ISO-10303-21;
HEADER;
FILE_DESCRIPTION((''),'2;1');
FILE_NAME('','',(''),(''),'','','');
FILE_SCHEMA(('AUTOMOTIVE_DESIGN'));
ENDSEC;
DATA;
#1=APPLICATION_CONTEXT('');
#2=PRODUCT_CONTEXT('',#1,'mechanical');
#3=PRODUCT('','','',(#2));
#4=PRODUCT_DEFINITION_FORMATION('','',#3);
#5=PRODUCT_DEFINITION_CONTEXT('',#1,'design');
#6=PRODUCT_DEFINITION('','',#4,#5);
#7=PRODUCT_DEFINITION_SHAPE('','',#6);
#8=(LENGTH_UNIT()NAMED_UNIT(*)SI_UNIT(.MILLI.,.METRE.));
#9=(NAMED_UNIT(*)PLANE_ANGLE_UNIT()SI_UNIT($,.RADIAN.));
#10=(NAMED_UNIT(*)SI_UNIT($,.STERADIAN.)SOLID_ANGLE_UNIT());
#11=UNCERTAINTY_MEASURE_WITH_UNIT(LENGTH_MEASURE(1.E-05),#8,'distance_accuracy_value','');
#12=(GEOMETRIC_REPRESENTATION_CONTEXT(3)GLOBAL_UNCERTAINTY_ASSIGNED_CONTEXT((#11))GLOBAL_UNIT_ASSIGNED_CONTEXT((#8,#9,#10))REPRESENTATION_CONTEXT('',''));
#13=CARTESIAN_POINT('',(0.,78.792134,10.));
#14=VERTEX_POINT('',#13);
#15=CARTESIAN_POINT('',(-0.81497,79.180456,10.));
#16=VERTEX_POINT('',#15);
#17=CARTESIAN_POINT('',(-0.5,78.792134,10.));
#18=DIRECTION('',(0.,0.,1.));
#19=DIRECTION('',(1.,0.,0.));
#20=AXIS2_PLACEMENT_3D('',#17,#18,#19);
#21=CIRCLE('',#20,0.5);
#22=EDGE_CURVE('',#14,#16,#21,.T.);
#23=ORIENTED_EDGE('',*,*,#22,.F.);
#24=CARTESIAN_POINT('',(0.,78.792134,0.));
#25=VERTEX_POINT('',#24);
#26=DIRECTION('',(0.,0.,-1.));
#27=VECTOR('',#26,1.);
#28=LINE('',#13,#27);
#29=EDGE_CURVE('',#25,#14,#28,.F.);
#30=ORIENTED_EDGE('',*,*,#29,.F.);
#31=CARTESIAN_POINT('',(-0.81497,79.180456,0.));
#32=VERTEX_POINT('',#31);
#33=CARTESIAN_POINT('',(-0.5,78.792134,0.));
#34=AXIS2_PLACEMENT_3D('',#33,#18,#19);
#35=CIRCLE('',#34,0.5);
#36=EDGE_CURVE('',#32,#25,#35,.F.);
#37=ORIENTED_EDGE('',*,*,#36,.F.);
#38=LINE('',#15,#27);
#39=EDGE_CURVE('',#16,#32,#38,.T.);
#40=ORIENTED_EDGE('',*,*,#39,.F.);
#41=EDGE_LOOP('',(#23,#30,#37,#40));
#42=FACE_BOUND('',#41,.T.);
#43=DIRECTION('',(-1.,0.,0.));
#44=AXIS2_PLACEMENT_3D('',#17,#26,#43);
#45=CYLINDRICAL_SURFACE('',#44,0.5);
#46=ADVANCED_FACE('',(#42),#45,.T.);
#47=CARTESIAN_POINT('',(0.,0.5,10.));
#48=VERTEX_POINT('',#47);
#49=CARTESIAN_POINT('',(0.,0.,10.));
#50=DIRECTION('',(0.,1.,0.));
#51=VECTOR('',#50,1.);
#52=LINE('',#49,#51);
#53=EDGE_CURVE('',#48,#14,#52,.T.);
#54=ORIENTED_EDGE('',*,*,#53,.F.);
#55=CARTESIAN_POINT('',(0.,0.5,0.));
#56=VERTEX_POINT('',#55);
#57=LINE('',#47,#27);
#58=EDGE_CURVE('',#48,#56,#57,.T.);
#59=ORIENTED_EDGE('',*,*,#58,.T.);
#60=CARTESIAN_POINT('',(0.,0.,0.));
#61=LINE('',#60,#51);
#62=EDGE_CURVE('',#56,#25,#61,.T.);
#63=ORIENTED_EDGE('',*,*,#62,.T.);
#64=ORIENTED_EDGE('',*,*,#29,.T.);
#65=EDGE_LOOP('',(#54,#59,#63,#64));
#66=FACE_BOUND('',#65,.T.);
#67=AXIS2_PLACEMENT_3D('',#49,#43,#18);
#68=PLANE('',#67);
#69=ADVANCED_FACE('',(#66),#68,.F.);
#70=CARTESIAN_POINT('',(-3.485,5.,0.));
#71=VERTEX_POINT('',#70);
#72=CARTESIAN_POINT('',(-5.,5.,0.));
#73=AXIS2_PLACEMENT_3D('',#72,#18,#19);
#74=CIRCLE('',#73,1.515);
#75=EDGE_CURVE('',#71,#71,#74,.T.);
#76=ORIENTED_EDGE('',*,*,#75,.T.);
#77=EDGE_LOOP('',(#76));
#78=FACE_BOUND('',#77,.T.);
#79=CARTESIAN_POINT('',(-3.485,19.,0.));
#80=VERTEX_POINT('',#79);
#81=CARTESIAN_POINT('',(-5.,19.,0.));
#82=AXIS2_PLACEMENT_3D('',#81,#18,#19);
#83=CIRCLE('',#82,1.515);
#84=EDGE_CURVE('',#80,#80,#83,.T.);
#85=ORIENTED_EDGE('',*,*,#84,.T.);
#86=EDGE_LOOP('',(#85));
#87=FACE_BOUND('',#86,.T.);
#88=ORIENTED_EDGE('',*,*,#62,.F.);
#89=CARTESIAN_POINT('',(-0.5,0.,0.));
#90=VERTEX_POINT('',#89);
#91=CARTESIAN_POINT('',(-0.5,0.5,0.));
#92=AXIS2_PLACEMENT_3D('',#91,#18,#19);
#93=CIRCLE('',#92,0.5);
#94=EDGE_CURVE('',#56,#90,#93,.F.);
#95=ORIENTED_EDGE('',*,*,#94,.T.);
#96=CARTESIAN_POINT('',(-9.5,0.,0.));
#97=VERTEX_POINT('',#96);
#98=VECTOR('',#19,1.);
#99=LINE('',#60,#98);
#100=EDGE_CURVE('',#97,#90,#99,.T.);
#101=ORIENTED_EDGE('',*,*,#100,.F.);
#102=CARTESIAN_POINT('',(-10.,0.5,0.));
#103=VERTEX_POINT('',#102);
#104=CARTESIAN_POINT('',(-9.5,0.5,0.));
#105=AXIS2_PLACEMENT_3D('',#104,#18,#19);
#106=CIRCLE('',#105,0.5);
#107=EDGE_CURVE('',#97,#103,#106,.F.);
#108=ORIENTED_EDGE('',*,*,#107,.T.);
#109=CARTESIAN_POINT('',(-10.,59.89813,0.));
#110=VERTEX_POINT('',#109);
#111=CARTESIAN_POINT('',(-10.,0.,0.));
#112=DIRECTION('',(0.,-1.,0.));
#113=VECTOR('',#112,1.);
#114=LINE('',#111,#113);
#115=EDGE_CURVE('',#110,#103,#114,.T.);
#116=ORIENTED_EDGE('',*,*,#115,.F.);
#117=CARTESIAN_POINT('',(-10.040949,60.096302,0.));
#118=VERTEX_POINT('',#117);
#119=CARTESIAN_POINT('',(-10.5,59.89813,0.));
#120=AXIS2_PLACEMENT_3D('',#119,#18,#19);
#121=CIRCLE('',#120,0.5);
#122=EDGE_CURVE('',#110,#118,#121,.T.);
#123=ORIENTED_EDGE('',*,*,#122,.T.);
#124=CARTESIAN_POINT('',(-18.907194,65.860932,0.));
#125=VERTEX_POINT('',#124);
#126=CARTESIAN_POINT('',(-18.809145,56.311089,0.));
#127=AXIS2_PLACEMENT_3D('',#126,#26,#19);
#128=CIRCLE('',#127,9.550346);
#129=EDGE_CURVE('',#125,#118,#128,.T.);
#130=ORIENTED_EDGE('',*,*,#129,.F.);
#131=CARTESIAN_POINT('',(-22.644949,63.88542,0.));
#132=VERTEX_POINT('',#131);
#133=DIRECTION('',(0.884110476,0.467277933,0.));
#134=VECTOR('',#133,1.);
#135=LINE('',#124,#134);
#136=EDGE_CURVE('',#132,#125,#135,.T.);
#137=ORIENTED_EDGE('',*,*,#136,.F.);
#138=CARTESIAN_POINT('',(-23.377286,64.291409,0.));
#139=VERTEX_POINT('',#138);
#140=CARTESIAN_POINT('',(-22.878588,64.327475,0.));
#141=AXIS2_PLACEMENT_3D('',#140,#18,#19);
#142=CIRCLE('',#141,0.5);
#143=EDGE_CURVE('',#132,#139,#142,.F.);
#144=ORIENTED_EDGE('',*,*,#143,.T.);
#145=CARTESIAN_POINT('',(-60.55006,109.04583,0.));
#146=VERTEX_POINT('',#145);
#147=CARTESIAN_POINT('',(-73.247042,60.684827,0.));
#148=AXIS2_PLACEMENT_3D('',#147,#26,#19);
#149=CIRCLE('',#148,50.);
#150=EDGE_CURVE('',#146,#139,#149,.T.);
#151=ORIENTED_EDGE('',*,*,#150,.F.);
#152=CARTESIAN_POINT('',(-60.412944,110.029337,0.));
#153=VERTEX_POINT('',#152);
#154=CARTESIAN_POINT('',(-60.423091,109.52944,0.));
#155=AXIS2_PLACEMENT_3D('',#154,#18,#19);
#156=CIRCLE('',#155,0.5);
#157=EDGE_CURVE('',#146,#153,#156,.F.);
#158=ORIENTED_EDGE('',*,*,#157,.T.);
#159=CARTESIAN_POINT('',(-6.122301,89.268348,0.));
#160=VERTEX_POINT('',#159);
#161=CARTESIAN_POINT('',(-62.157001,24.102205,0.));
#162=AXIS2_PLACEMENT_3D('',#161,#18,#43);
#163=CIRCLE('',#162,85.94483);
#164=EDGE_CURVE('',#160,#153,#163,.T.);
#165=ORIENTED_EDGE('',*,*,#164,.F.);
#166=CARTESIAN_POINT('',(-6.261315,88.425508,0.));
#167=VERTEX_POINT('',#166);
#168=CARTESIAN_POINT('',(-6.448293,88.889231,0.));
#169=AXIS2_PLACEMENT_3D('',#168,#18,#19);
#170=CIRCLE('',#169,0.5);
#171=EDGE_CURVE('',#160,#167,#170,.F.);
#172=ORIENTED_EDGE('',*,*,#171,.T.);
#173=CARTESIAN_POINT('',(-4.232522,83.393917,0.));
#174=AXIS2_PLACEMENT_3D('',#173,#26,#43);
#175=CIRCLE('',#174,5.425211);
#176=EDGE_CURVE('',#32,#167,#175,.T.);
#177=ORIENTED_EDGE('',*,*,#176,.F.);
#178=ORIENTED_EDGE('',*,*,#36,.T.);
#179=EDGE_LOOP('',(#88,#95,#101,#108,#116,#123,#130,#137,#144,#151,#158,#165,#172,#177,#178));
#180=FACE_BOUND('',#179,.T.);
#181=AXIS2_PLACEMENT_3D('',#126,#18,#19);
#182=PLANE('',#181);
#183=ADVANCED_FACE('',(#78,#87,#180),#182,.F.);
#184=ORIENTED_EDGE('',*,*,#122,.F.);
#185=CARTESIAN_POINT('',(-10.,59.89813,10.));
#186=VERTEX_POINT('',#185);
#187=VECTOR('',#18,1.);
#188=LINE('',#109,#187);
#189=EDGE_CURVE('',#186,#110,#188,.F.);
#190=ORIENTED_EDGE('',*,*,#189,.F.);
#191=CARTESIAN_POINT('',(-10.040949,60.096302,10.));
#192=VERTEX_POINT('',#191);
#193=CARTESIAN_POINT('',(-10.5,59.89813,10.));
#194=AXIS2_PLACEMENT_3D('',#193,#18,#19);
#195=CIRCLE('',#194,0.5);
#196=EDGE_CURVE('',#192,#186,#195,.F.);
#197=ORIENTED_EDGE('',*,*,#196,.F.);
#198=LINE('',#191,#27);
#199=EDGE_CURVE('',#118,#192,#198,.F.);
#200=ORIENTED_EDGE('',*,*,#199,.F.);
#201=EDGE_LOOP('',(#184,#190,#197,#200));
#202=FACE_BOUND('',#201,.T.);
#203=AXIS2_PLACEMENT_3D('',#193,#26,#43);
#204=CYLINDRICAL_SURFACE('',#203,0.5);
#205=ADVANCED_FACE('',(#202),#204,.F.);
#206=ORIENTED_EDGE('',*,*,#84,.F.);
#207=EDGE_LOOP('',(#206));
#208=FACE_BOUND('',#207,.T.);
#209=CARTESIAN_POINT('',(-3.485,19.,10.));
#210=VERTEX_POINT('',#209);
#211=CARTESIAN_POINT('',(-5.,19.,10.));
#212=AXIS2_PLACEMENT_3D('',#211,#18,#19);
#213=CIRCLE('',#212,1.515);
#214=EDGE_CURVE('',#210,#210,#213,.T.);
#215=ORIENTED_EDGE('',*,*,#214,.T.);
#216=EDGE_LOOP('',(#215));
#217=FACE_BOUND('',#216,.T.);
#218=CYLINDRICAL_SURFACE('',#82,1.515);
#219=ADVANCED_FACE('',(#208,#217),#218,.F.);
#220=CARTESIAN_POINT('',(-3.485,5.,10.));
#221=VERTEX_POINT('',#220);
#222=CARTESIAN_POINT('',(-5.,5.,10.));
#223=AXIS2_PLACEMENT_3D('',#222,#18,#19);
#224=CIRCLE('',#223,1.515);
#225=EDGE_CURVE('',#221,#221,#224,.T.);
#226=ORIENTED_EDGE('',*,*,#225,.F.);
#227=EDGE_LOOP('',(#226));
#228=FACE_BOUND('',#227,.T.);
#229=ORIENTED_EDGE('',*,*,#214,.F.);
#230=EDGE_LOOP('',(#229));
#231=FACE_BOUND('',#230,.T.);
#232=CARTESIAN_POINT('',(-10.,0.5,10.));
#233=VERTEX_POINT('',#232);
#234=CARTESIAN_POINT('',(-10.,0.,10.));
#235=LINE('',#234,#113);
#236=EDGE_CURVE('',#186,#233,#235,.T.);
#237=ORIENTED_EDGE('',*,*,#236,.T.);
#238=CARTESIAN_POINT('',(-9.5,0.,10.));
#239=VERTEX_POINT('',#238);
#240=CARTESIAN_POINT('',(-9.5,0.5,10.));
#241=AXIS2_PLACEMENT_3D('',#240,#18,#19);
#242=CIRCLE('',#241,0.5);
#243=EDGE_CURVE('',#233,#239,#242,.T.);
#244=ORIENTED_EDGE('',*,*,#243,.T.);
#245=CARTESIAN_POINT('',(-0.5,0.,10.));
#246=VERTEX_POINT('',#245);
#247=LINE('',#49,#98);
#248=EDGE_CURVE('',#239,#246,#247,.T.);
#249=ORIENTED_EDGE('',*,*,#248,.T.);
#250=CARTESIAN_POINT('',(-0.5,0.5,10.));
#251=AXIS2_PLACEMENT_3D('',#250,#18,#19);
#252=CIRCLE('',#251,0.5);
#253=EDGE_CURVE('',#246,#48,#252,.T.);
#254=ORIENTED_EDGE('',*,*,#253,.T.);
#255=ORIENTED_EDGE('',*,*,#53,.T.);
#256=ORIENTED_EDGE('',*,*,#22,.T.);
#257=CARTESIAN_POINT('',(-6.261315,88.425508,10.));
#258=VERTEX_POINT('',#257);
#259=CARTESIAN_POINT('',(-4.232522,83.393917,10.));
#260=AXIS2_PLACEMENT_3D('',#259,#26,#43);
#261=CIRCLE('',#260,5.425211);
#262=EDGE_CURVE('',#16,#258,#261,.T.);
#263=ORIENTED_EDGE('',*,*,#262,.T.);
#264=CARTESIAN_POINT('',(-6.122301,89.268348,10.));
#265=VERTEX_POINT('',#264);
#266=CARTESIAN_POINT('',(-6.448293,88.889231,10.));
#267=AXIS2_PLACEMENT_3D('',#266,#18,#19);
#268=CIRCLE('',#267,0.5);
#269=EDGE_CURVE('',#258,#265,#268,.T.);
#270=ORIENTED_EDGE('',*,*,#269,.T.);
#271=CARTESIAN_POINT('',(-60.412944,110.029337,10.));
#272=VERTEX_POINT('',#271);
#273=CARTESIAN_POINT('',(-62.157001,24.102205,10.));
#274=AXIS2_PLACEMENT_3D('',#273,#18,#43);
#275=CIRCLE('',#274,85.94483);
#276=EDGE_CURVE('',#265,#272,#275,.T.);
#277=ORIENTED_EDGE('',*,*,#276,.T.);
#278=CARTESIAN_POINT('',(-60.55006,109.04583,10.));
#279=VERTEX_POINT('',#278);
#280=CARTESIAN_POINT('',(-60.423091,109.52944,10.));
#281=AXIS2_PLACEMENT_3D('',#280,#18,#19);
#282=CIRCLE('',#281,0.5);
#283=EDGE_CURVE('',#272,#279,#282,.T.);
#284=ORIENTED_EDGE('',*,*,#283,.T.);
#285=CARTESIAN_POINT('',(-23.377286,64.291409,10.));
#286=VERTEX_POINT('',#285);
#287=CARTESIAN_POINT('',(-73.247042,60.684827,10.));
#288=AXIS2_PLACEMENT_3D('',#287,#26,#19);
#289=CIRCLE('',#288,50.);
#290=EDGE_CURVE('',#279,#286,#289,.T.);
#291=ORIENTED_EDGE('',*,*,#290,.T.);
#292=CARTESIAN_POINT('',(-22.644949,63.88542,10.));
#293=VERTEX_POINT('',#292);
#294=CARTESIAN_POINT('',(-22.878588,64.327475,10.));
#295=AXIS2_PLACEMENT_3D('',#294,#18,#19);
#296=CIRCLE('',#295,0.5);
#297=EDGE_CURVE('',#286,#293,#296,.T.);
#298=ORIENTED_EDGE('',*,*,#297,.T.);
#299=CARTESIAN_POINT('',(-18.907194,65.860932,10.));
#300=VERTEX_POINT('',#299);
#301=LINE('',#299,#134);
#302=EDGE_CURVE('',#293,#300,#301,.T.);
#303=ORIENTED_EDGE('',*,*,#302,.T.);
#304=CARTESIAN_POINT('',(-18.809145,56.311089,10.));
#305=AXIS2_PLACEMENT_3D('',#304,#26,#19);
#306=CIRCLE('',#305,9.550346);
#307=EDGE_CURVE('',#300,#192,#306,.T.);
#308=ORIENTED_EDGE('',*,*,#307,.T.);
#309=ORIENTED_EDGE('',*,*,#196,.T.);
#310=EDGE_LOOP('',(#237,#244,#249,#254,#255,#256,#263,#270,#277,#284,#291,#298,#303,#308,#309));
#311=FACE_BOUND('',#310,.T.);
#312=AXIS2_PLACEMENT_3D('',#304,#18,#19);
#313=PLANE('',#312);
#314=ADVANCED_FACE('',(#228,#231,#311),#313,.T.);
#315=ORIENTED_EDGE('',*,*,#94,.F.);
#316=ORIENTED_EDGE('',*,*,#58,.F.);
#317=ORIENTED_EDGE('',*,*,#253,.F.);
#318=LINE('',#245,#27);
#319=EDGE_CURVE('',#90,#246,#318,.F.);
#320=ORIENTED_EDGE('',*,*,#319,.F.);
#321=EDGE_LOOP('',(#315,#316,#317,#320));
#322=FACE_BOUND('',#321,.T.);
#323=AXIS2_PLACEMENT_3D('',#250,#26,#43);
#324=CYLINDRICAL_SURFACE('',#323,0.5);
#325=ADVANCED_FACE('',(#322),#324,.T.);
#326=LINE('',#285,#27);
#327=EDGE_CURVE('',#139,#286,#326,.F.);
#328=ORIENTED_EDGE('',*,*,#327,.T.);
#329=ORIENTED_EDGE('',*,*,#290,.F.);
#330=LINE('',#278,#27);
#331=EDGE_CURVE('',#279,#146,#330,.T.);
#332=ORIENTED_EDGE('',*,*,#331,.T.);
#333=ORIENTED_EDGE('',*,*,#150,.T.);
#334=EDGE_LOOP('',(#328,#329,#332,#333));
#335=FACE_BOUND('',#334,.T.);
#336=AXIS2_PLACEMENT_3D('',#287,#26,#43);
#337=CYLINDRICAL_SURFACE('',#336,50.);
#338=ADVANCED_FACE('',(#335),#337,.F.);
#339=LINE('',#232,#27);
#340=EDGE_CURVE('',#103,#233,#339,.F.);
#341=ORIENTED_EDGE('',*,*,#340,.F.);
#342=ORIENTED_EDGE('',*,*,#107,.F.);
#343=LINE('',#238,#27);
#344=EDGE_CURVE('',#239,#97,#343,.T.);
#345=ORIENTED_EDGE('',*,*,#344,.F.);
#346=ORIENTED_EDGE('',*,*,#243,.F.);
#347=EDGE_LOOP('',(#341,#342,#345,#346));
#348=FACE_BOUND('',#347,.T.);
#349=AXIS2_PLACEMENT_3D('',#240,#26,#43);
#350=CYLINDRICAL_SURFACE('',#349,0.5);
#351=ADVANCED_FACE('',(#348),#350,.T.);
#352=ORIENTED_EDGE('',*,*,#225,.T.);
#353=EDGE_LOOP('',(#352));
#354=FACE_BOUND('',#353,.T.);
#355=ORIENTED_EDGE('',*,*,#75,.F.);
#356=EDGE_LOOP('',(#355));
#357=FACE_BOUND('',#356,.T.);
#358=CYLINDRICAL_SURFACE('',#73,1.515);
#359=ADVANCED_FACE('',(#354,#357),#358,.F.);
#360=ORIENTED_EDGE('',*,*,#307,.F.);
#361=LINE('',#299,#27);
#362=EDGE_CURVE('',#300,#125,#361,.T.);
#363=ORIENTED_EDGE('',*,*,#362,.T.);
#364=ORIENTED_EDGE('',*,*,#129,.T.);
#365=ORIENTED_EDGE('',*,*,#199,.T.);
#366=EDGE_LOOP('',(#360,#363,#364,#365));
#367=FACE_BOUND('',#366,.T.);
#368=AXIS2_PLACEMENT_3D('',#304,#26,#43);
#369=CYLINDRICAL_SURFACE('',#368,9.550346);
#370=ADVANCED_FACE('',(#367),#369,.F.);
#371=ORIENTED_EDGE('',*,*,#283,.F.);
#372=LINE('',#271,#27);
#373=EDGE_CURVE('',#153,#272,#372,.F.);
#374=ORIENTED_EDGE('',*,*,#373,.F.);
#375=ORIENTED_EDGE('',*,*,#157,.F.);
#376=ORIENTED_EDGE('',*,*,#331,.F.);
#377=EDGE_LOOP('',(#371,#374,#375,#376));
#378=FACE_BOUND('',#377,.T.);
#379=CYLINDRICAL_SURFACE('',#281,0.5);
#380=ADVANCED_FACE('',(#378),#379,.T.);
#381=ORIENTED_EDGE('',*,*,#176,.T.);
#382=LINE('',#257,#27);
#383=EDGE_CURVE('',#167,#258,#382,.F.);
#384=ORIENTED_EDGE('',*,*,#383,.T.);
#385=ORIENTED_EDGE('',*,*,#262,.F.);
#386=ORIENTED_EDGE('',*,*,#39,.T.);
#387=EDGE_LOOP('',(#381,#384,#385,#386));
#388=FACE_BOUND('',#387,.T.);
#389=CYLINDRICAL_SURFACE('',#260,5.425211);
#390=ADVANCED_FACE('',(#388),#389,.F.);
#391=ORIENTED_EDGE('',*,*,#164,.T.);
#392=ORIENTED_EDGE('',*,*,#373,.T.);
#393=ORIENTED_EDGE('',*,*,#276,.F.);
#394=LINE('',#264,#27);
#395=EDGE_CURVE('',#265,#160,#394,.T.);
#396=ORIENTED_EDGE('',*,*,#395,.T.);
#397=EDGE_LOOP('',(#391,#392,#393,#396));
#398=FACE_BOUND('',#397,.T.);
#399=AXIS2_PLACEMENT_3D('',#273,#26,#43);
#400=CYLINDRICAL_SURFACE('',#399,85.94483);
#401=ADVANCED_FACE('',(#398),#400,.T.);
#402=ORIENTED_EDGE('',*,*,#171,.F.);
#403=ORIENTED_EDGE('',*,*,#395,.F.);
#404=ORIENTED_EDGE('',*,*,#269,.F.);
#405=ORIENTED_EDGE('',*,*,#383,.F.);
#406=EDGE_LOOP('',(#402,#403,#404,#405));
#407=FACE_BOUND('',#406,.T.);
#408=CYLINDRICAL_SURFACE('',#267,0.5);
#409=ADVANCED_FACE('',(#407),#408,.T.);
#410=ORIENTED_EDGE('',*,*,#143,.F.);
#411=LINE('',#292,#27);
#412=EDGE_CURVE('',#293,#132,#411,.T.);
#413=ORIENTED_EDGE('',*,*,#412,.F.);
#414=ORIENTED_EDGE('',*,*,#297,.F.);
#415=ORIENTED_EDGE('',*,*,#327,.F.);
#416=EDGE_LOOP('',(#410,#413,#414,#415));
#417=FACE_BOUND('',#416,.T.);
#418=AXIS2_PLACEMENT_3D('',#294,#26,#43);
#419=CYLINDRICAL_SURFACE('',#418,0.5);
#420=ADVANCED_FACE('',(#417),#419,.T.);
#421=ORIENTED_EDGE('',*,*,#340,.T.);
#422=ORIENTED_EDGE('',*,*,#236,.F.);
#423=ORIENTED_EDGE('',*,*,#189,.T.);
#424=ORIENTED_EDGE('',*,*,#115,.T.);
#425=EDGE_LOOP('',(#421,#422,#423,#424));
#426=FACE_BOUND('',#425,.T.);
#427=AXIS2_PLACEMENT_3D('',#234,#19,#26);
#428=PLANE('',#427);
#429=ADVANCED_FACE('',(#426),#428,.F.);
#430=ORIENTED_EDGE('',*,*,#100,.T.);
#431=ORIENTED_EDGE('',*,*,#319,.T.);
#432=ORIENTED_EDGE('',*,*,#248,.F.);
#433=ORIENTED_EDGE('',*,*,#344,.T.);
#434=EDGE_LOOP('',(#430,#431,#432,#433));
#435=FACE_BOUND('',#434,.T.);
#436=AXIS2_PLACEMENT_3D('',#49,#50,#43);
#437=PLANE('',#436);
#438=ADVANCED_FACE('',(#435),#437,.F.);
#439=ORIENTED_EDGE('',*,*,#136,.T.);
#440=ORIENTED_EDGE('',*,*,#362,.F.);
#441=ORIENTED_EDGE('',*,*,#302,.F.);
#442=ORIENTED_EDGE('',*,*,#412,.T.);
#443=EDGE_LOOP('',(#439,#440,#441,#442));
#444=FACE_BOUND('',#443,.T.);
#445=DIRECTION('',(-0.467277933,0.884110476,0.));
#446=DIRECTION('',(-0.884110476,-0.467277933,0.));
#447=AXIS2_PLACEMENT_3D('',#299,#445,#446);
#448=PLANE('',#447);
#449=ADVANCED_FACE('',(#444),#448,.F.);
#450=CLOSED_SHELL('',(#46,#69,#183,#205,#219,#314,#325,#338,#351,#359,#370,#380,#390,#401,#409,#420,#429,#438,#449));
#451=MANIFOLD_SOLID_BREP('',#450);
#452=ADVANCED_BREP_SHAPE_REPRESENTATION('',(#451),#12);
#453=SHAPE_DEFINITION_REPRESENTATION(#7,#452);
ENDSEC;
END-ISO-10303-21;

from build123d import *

# Parameters (mm, degrees)
BOSS_EXTRUDE1_DEPTH = 10
FILLET1_R           = 0.5
SKETCH2_R           = 1.515
CUT_EXTRUDE1_DEPTH  = 127.166955858
FILLET2_R           = 0.5


with BuildPart() as part:
    # Sketch1 → Boss-Extrude1 (new body)
    with BuildSketch(Plane.XY):
        with BuildLine():
            Line((0, 0), (0, 80))
            ThreePointArc((0, 80), (-8.82808737, 80.510568582), (-5.446921008, 88.681463327))
            ThreePointArc((-5.446921008, 88.681463327), (-33.19088971, 105.018694036), (-65, 110))
            ThreePointArc((-65, 110), (-36.020401707, 94.064120743), (-23.327746863, 63.524541867))
            Line((-23.327746863, 63.524541867), (-18.907194485, 65.860931532))
            ThreePointArc((-18.907194485, 65.860931532), (-13.559533082, 64.289226454), (-10, 60))
            Line((-10, 60), (-10, 0))
            Line((-10, 0), (0, 0))
        make_face()
    extrude(amount=BOSS_EXTRUDE1_DEPTH)

    # Fillet1
    fillet1_edges = [part.edges().sort_by_distance(p)[0] for p in [
        (-10, 60, 5),
        (-23.327746863, 63.524541867, 5),
        (-65, 110, 5),
        (-5.446921008, 88.681463327, 5),
        (0, 80, 5),
    ]]
    fillet(fillet1_edges, radius=FILLET1_R)

    # Sketch2 → Cut-Extrude1 (cut, through all)
    with BuildSketch(Plane.XY.offset(10)):
        with Locations((-5, 5)):
            Circle(SKETCH2_R)
        with Locations((-5, 19)):
            Circle(SKETCH2_R)
    extrude(amount=-CUT_EXTRUDE1_DEPTH, mode=Mode.SUBTRACT)

    # Fillet2
    fillet2_edges = [part.edges().sort_by_distance(p)[0] for p in [
        (-10, 0, 5),
        (0, 0, 5),
    ]]
    fillet(fillet2_edges, radius=FILLET2_R)


solid = part.part
